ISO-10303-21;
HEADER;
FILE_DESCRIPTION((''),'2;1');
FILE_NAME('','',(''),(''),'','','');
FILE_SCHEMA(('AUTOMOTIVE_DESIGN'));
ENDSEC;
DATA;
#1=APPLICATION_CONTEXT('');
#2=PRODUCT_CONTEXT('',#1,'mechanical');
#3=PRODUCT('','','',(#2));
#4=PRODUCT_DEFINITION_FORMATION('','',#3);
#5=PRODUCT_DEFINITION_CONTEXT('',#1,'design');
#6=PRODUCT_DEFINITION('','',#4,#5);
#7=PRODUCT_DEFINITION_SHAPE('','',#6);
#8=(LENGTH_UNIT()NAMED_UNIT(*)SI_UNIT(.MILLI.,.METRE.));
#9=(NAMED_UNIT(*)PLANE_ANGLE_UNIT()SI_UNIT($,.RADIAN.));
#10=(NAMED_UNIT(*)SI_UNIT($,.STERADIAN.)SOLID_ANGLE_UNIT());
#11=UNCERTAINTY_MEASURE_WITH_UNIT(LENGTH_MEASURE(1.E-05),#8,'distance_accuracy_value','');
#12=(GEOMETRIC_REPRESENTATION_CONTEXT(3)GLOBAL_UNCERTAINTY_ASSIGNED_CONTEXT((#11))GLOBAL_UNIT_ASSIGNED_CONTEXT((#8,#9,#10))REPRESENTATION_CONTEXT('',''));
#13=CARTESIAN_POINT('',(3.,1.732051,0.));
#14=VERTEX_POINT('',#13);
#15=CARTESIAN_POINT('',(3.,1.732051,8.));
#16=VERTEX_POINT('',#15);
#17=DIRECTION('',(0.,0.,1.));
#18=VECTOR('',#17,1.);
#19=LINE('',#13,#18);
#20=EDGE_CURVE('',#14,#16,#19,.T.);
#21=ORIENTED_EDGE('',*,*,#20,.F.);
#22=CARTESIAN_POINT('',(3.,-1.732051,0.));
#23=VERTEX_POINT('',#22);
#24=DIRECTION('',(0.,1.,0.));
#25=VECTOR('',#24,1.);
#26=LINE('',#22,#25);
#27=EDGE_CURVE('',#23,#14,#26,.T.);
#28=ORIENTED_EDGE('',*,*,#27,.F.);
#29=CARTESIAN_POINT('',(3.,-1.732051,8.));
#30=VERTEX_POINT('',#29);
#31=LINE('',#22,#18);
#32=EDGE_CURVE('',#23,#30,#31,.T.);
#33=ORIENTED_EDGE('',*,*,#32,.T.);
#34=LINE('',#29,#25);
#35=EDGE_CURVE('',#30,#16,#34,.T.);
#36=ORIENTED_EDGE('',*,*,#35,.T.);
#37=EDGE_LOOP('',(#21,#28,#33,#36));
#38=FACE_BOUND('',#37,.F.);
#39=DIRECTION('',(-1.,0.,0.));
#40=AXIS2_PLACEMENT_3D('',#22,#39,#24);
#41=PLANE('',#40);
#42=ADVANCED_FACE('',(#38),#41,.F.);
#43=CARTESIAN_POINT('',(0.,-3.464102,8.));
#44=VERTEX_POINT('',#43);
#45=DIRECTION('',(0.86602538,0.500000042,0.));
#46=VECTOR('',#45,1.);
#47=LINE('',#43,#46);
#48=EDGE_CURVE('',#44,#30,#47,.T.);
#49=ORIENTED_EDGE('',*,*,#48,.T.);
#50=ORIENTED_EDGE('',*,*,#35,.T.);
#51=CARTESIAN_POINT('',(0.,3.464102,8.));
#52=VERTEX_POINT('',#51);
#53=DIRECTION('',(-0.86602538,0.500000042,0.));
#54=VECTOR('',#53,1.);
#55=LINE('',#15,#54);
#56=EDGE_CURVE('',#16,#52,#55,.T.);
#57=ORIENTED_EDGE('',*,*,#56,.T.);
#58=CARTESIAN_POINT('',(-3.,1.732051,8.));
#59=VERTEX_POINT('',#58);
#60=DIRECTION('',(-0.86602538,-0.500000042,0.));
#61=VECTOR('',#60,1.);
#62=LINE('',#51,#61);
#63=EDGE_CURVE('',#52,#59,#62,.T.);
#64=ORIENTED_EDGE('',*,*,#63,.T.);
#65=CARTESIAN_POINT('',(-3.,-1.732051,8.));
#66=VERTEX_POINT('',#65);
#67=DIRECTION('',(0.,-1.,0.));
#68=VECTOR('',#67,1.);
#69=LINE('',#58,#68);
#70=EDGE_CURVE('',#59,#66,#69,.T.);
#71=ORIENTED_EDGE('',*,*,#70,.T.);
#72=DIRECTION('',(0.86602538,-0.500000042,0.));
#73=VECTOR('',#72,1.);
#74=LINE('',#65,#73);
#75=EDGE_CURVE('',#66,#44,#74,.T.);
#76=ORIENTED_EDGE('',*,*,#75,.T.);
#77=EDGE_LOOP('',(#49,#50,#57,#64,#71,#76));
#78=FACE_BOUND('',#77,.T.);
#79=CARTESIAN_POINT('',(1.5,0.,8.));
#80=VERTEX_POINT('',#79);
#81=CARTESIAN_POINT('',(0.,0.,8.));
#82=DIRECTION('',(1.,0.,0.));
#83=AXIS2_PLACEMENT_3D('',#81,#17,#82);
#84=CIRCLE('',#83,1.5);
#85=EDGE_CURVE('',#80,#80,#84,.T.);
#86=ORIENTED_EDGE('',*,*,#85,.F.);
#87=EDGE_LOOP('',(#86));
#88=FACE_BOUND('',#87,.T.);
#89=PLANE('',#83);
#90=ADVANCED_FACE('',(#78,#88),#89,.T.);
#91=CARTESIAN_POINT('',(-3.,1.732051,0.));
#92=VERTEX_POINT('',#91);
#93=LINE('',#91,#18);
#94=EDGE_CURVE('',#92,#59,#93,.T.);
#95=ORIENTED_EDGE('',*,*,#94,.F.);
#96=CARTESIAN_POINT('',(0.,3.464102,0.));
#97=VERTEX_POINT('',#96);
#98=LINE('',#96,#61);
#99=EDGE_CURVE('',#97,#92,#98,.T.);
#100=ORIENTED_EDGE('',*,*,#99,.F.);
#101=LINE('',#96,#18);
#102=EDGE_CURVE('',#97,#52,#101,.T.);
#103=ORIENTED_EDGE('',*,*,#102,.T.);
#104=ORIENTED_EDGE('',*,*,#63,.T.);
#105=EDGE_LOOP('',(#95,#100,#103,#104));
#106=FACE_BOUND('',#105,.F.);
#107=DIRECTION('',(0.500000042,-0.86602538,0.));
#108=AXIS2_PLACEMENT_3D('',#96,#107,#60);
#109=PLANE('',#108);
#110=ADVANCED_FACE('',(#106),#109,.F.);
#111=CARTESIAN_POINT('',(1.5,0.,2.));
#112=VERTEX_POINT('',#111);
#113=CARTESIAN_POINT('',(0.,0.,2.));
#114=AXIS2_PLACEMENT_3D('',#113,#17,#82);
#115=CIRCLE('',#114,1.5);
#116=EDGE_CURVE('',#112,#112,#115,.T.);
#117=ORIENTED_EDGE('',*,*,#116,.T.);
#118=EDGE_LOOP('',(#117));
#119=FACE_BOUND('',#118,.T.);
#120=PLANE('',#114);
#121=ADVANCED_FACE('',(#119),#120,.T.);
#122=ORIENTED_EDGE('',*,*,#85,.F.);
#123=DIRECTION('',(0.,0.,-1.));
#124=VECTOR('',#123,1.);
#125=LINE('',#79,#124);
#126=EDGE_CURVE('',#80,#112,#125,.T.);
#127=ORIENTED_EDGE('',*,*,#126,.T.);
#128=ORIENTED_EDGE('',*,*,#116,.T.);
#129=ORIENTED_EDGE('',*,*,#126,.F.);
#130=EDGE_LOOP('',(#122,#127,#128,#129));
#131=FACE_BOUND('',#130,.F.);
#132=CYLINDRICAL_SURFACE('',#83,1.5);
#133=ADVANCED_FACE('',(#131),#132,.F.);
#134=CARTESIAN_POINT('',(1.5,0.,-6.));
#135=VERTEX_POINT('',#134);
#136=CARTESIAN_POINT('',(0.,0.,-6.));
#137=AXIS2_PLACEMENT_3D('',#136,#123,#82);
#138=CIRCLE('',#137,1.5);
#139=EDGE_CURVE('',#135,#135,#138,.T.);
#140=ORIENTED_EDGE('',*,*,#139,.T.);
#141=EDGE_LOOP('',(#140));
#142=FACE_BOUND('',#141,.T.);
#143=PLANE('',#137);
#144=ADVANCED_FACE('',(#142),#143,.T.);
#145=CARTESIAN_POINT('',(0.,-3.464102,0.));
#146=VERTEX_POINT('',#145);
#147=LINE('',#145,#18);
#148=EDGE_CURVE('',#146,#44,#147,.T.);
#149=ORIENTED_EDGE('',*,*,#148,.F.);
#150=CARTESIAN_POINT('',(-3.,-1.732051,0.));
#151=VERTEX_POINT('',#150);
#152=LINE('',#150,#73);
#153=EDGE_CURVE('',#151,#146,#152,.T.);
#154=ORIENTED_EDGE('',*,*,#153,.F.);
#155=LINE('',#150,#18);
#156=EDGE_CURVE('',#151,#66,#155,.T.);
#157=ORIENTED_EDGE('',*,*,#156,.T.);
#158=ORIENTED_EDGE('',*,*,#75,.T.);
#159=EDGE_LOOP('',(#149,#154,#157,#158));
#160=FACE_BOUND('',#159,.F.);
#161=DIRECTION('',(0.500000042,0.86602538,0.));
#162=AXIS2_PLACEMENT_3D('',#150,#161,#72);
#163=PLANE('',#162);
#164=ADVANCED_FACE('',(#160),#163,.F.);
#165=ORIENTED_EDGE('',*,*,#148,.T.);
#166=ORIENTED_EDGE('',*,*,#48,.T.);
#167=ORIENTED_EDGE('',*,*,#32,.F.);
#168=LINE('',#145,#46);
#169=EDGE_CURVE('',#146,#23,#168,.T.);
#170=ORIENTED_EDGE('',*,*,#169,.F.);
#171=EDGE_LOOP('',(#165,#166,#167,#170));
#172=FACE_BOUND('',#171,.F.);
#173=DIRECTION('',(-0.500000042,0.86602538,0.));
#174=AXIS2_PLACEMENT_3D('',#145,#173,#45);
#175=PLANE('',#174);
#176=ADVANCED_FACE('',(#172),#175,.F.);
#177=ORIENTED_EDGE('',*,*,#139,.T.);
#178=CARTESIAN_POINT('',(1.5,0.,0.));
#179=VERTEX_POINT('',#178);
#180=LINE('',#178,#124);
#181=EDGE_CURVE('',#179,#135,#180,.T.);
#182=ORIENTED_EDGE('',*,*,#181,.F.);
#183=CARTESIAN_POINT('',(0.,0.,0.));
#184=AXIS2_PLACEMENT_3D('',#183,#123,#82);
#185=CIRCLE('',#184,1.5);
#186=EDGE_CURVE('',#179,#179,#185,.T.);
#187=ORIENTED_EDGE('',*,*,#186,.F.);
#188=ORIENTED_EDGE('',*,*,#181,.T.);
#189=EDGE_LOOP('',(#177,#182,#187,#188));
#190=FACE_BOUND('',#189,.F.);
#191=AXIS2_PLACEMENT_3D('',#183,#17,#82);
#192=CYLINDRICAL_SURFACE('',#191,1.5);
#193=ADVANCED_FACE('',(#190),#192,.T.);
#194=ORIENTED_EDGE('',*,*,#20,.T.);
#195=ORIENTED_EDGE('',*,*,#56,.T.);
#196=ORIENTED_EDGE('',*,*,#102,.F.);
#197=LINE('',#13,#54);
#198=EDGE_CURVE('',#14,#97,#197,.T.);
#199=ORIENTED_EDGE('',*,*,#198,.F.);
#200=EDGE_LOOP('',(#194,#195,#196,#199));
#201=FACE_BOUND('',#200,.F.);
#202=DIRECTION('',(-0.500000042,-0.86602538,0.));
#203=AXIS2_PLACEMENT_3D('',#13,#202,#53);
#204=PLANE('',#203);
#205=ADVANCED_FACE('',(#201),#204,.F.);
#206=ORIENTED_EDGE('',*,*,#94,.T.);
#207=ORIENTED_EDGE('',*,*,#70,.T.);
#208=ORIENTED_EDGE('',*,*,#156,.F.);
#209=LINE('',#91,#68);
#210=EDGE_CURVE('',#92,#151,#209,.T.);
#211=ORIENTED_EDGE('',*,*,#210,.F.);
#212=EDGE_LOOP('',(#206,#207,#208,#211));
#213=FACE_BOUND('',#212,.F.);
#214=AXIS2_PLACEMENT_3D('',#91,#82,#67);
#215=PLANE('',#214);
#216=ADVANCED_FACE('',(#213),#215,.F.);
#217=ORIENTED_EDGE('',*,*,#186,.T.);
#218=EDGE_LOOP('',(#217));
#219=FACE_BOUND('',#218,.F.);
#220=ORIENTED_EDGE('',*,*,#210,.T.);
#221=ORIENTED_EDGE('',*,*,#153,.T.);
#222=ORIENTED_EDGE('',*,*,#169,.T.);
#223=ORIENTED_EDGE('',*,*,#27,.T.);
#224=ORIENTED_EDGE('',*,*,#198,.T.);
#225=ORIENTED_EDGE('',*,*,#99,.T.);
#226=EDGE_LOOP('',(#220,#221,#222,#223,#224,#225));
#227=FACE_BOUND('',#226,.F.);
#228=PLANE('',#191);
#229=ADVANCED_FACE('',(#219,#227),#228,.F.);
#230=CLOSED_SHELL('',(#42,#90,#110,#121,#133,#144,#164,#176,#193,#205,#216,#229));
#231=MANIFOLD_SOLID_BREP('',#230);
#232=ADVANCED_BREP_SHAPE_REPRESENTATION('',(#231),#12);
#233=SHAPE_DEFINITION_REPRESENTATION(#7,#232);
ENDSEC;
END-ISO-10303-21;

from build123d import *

# Parameters (mm, degrees)
PAD_DEPTH    = 8
SKETCH001_R  = 1.5
PAD001_DEPTH = 6
SKETCH002_R  = 1.5
POCKET_DEPTH = 6


with BuildPart() as part:
    # Sketch → Pad (new body)
    with BuildSketch(Plane.XY):
        Polygon((3, -1.732051), (3, 1.732051), (0, 3.464102), (-3, 1.732051), (-3, -1.732051), (0, -3.464102), align=None)
    extrude(amount=PAD_DEPTH)

    # Sketch001 (on Face7 of Pad) → Pad001 (join)
    with BuildSketch(Plane(origin=(0, 0, 0), x_dir=(1, 0, 0), z_dir=(0, 0, -1))):
        Circle(SKETCH001_R)
    extrude(amount=PAD001_DEPTH)

    # Sketch002 (on Face5 of Pad001) → Pocket (cut)
    with BuildSketch(Plane.XY.offset(8)):
        Circle(SKETCH002_R)
    extrude(amount=-POCKET_DEPTH, mode=Mode.SUBTRACT)


solid = part.part
